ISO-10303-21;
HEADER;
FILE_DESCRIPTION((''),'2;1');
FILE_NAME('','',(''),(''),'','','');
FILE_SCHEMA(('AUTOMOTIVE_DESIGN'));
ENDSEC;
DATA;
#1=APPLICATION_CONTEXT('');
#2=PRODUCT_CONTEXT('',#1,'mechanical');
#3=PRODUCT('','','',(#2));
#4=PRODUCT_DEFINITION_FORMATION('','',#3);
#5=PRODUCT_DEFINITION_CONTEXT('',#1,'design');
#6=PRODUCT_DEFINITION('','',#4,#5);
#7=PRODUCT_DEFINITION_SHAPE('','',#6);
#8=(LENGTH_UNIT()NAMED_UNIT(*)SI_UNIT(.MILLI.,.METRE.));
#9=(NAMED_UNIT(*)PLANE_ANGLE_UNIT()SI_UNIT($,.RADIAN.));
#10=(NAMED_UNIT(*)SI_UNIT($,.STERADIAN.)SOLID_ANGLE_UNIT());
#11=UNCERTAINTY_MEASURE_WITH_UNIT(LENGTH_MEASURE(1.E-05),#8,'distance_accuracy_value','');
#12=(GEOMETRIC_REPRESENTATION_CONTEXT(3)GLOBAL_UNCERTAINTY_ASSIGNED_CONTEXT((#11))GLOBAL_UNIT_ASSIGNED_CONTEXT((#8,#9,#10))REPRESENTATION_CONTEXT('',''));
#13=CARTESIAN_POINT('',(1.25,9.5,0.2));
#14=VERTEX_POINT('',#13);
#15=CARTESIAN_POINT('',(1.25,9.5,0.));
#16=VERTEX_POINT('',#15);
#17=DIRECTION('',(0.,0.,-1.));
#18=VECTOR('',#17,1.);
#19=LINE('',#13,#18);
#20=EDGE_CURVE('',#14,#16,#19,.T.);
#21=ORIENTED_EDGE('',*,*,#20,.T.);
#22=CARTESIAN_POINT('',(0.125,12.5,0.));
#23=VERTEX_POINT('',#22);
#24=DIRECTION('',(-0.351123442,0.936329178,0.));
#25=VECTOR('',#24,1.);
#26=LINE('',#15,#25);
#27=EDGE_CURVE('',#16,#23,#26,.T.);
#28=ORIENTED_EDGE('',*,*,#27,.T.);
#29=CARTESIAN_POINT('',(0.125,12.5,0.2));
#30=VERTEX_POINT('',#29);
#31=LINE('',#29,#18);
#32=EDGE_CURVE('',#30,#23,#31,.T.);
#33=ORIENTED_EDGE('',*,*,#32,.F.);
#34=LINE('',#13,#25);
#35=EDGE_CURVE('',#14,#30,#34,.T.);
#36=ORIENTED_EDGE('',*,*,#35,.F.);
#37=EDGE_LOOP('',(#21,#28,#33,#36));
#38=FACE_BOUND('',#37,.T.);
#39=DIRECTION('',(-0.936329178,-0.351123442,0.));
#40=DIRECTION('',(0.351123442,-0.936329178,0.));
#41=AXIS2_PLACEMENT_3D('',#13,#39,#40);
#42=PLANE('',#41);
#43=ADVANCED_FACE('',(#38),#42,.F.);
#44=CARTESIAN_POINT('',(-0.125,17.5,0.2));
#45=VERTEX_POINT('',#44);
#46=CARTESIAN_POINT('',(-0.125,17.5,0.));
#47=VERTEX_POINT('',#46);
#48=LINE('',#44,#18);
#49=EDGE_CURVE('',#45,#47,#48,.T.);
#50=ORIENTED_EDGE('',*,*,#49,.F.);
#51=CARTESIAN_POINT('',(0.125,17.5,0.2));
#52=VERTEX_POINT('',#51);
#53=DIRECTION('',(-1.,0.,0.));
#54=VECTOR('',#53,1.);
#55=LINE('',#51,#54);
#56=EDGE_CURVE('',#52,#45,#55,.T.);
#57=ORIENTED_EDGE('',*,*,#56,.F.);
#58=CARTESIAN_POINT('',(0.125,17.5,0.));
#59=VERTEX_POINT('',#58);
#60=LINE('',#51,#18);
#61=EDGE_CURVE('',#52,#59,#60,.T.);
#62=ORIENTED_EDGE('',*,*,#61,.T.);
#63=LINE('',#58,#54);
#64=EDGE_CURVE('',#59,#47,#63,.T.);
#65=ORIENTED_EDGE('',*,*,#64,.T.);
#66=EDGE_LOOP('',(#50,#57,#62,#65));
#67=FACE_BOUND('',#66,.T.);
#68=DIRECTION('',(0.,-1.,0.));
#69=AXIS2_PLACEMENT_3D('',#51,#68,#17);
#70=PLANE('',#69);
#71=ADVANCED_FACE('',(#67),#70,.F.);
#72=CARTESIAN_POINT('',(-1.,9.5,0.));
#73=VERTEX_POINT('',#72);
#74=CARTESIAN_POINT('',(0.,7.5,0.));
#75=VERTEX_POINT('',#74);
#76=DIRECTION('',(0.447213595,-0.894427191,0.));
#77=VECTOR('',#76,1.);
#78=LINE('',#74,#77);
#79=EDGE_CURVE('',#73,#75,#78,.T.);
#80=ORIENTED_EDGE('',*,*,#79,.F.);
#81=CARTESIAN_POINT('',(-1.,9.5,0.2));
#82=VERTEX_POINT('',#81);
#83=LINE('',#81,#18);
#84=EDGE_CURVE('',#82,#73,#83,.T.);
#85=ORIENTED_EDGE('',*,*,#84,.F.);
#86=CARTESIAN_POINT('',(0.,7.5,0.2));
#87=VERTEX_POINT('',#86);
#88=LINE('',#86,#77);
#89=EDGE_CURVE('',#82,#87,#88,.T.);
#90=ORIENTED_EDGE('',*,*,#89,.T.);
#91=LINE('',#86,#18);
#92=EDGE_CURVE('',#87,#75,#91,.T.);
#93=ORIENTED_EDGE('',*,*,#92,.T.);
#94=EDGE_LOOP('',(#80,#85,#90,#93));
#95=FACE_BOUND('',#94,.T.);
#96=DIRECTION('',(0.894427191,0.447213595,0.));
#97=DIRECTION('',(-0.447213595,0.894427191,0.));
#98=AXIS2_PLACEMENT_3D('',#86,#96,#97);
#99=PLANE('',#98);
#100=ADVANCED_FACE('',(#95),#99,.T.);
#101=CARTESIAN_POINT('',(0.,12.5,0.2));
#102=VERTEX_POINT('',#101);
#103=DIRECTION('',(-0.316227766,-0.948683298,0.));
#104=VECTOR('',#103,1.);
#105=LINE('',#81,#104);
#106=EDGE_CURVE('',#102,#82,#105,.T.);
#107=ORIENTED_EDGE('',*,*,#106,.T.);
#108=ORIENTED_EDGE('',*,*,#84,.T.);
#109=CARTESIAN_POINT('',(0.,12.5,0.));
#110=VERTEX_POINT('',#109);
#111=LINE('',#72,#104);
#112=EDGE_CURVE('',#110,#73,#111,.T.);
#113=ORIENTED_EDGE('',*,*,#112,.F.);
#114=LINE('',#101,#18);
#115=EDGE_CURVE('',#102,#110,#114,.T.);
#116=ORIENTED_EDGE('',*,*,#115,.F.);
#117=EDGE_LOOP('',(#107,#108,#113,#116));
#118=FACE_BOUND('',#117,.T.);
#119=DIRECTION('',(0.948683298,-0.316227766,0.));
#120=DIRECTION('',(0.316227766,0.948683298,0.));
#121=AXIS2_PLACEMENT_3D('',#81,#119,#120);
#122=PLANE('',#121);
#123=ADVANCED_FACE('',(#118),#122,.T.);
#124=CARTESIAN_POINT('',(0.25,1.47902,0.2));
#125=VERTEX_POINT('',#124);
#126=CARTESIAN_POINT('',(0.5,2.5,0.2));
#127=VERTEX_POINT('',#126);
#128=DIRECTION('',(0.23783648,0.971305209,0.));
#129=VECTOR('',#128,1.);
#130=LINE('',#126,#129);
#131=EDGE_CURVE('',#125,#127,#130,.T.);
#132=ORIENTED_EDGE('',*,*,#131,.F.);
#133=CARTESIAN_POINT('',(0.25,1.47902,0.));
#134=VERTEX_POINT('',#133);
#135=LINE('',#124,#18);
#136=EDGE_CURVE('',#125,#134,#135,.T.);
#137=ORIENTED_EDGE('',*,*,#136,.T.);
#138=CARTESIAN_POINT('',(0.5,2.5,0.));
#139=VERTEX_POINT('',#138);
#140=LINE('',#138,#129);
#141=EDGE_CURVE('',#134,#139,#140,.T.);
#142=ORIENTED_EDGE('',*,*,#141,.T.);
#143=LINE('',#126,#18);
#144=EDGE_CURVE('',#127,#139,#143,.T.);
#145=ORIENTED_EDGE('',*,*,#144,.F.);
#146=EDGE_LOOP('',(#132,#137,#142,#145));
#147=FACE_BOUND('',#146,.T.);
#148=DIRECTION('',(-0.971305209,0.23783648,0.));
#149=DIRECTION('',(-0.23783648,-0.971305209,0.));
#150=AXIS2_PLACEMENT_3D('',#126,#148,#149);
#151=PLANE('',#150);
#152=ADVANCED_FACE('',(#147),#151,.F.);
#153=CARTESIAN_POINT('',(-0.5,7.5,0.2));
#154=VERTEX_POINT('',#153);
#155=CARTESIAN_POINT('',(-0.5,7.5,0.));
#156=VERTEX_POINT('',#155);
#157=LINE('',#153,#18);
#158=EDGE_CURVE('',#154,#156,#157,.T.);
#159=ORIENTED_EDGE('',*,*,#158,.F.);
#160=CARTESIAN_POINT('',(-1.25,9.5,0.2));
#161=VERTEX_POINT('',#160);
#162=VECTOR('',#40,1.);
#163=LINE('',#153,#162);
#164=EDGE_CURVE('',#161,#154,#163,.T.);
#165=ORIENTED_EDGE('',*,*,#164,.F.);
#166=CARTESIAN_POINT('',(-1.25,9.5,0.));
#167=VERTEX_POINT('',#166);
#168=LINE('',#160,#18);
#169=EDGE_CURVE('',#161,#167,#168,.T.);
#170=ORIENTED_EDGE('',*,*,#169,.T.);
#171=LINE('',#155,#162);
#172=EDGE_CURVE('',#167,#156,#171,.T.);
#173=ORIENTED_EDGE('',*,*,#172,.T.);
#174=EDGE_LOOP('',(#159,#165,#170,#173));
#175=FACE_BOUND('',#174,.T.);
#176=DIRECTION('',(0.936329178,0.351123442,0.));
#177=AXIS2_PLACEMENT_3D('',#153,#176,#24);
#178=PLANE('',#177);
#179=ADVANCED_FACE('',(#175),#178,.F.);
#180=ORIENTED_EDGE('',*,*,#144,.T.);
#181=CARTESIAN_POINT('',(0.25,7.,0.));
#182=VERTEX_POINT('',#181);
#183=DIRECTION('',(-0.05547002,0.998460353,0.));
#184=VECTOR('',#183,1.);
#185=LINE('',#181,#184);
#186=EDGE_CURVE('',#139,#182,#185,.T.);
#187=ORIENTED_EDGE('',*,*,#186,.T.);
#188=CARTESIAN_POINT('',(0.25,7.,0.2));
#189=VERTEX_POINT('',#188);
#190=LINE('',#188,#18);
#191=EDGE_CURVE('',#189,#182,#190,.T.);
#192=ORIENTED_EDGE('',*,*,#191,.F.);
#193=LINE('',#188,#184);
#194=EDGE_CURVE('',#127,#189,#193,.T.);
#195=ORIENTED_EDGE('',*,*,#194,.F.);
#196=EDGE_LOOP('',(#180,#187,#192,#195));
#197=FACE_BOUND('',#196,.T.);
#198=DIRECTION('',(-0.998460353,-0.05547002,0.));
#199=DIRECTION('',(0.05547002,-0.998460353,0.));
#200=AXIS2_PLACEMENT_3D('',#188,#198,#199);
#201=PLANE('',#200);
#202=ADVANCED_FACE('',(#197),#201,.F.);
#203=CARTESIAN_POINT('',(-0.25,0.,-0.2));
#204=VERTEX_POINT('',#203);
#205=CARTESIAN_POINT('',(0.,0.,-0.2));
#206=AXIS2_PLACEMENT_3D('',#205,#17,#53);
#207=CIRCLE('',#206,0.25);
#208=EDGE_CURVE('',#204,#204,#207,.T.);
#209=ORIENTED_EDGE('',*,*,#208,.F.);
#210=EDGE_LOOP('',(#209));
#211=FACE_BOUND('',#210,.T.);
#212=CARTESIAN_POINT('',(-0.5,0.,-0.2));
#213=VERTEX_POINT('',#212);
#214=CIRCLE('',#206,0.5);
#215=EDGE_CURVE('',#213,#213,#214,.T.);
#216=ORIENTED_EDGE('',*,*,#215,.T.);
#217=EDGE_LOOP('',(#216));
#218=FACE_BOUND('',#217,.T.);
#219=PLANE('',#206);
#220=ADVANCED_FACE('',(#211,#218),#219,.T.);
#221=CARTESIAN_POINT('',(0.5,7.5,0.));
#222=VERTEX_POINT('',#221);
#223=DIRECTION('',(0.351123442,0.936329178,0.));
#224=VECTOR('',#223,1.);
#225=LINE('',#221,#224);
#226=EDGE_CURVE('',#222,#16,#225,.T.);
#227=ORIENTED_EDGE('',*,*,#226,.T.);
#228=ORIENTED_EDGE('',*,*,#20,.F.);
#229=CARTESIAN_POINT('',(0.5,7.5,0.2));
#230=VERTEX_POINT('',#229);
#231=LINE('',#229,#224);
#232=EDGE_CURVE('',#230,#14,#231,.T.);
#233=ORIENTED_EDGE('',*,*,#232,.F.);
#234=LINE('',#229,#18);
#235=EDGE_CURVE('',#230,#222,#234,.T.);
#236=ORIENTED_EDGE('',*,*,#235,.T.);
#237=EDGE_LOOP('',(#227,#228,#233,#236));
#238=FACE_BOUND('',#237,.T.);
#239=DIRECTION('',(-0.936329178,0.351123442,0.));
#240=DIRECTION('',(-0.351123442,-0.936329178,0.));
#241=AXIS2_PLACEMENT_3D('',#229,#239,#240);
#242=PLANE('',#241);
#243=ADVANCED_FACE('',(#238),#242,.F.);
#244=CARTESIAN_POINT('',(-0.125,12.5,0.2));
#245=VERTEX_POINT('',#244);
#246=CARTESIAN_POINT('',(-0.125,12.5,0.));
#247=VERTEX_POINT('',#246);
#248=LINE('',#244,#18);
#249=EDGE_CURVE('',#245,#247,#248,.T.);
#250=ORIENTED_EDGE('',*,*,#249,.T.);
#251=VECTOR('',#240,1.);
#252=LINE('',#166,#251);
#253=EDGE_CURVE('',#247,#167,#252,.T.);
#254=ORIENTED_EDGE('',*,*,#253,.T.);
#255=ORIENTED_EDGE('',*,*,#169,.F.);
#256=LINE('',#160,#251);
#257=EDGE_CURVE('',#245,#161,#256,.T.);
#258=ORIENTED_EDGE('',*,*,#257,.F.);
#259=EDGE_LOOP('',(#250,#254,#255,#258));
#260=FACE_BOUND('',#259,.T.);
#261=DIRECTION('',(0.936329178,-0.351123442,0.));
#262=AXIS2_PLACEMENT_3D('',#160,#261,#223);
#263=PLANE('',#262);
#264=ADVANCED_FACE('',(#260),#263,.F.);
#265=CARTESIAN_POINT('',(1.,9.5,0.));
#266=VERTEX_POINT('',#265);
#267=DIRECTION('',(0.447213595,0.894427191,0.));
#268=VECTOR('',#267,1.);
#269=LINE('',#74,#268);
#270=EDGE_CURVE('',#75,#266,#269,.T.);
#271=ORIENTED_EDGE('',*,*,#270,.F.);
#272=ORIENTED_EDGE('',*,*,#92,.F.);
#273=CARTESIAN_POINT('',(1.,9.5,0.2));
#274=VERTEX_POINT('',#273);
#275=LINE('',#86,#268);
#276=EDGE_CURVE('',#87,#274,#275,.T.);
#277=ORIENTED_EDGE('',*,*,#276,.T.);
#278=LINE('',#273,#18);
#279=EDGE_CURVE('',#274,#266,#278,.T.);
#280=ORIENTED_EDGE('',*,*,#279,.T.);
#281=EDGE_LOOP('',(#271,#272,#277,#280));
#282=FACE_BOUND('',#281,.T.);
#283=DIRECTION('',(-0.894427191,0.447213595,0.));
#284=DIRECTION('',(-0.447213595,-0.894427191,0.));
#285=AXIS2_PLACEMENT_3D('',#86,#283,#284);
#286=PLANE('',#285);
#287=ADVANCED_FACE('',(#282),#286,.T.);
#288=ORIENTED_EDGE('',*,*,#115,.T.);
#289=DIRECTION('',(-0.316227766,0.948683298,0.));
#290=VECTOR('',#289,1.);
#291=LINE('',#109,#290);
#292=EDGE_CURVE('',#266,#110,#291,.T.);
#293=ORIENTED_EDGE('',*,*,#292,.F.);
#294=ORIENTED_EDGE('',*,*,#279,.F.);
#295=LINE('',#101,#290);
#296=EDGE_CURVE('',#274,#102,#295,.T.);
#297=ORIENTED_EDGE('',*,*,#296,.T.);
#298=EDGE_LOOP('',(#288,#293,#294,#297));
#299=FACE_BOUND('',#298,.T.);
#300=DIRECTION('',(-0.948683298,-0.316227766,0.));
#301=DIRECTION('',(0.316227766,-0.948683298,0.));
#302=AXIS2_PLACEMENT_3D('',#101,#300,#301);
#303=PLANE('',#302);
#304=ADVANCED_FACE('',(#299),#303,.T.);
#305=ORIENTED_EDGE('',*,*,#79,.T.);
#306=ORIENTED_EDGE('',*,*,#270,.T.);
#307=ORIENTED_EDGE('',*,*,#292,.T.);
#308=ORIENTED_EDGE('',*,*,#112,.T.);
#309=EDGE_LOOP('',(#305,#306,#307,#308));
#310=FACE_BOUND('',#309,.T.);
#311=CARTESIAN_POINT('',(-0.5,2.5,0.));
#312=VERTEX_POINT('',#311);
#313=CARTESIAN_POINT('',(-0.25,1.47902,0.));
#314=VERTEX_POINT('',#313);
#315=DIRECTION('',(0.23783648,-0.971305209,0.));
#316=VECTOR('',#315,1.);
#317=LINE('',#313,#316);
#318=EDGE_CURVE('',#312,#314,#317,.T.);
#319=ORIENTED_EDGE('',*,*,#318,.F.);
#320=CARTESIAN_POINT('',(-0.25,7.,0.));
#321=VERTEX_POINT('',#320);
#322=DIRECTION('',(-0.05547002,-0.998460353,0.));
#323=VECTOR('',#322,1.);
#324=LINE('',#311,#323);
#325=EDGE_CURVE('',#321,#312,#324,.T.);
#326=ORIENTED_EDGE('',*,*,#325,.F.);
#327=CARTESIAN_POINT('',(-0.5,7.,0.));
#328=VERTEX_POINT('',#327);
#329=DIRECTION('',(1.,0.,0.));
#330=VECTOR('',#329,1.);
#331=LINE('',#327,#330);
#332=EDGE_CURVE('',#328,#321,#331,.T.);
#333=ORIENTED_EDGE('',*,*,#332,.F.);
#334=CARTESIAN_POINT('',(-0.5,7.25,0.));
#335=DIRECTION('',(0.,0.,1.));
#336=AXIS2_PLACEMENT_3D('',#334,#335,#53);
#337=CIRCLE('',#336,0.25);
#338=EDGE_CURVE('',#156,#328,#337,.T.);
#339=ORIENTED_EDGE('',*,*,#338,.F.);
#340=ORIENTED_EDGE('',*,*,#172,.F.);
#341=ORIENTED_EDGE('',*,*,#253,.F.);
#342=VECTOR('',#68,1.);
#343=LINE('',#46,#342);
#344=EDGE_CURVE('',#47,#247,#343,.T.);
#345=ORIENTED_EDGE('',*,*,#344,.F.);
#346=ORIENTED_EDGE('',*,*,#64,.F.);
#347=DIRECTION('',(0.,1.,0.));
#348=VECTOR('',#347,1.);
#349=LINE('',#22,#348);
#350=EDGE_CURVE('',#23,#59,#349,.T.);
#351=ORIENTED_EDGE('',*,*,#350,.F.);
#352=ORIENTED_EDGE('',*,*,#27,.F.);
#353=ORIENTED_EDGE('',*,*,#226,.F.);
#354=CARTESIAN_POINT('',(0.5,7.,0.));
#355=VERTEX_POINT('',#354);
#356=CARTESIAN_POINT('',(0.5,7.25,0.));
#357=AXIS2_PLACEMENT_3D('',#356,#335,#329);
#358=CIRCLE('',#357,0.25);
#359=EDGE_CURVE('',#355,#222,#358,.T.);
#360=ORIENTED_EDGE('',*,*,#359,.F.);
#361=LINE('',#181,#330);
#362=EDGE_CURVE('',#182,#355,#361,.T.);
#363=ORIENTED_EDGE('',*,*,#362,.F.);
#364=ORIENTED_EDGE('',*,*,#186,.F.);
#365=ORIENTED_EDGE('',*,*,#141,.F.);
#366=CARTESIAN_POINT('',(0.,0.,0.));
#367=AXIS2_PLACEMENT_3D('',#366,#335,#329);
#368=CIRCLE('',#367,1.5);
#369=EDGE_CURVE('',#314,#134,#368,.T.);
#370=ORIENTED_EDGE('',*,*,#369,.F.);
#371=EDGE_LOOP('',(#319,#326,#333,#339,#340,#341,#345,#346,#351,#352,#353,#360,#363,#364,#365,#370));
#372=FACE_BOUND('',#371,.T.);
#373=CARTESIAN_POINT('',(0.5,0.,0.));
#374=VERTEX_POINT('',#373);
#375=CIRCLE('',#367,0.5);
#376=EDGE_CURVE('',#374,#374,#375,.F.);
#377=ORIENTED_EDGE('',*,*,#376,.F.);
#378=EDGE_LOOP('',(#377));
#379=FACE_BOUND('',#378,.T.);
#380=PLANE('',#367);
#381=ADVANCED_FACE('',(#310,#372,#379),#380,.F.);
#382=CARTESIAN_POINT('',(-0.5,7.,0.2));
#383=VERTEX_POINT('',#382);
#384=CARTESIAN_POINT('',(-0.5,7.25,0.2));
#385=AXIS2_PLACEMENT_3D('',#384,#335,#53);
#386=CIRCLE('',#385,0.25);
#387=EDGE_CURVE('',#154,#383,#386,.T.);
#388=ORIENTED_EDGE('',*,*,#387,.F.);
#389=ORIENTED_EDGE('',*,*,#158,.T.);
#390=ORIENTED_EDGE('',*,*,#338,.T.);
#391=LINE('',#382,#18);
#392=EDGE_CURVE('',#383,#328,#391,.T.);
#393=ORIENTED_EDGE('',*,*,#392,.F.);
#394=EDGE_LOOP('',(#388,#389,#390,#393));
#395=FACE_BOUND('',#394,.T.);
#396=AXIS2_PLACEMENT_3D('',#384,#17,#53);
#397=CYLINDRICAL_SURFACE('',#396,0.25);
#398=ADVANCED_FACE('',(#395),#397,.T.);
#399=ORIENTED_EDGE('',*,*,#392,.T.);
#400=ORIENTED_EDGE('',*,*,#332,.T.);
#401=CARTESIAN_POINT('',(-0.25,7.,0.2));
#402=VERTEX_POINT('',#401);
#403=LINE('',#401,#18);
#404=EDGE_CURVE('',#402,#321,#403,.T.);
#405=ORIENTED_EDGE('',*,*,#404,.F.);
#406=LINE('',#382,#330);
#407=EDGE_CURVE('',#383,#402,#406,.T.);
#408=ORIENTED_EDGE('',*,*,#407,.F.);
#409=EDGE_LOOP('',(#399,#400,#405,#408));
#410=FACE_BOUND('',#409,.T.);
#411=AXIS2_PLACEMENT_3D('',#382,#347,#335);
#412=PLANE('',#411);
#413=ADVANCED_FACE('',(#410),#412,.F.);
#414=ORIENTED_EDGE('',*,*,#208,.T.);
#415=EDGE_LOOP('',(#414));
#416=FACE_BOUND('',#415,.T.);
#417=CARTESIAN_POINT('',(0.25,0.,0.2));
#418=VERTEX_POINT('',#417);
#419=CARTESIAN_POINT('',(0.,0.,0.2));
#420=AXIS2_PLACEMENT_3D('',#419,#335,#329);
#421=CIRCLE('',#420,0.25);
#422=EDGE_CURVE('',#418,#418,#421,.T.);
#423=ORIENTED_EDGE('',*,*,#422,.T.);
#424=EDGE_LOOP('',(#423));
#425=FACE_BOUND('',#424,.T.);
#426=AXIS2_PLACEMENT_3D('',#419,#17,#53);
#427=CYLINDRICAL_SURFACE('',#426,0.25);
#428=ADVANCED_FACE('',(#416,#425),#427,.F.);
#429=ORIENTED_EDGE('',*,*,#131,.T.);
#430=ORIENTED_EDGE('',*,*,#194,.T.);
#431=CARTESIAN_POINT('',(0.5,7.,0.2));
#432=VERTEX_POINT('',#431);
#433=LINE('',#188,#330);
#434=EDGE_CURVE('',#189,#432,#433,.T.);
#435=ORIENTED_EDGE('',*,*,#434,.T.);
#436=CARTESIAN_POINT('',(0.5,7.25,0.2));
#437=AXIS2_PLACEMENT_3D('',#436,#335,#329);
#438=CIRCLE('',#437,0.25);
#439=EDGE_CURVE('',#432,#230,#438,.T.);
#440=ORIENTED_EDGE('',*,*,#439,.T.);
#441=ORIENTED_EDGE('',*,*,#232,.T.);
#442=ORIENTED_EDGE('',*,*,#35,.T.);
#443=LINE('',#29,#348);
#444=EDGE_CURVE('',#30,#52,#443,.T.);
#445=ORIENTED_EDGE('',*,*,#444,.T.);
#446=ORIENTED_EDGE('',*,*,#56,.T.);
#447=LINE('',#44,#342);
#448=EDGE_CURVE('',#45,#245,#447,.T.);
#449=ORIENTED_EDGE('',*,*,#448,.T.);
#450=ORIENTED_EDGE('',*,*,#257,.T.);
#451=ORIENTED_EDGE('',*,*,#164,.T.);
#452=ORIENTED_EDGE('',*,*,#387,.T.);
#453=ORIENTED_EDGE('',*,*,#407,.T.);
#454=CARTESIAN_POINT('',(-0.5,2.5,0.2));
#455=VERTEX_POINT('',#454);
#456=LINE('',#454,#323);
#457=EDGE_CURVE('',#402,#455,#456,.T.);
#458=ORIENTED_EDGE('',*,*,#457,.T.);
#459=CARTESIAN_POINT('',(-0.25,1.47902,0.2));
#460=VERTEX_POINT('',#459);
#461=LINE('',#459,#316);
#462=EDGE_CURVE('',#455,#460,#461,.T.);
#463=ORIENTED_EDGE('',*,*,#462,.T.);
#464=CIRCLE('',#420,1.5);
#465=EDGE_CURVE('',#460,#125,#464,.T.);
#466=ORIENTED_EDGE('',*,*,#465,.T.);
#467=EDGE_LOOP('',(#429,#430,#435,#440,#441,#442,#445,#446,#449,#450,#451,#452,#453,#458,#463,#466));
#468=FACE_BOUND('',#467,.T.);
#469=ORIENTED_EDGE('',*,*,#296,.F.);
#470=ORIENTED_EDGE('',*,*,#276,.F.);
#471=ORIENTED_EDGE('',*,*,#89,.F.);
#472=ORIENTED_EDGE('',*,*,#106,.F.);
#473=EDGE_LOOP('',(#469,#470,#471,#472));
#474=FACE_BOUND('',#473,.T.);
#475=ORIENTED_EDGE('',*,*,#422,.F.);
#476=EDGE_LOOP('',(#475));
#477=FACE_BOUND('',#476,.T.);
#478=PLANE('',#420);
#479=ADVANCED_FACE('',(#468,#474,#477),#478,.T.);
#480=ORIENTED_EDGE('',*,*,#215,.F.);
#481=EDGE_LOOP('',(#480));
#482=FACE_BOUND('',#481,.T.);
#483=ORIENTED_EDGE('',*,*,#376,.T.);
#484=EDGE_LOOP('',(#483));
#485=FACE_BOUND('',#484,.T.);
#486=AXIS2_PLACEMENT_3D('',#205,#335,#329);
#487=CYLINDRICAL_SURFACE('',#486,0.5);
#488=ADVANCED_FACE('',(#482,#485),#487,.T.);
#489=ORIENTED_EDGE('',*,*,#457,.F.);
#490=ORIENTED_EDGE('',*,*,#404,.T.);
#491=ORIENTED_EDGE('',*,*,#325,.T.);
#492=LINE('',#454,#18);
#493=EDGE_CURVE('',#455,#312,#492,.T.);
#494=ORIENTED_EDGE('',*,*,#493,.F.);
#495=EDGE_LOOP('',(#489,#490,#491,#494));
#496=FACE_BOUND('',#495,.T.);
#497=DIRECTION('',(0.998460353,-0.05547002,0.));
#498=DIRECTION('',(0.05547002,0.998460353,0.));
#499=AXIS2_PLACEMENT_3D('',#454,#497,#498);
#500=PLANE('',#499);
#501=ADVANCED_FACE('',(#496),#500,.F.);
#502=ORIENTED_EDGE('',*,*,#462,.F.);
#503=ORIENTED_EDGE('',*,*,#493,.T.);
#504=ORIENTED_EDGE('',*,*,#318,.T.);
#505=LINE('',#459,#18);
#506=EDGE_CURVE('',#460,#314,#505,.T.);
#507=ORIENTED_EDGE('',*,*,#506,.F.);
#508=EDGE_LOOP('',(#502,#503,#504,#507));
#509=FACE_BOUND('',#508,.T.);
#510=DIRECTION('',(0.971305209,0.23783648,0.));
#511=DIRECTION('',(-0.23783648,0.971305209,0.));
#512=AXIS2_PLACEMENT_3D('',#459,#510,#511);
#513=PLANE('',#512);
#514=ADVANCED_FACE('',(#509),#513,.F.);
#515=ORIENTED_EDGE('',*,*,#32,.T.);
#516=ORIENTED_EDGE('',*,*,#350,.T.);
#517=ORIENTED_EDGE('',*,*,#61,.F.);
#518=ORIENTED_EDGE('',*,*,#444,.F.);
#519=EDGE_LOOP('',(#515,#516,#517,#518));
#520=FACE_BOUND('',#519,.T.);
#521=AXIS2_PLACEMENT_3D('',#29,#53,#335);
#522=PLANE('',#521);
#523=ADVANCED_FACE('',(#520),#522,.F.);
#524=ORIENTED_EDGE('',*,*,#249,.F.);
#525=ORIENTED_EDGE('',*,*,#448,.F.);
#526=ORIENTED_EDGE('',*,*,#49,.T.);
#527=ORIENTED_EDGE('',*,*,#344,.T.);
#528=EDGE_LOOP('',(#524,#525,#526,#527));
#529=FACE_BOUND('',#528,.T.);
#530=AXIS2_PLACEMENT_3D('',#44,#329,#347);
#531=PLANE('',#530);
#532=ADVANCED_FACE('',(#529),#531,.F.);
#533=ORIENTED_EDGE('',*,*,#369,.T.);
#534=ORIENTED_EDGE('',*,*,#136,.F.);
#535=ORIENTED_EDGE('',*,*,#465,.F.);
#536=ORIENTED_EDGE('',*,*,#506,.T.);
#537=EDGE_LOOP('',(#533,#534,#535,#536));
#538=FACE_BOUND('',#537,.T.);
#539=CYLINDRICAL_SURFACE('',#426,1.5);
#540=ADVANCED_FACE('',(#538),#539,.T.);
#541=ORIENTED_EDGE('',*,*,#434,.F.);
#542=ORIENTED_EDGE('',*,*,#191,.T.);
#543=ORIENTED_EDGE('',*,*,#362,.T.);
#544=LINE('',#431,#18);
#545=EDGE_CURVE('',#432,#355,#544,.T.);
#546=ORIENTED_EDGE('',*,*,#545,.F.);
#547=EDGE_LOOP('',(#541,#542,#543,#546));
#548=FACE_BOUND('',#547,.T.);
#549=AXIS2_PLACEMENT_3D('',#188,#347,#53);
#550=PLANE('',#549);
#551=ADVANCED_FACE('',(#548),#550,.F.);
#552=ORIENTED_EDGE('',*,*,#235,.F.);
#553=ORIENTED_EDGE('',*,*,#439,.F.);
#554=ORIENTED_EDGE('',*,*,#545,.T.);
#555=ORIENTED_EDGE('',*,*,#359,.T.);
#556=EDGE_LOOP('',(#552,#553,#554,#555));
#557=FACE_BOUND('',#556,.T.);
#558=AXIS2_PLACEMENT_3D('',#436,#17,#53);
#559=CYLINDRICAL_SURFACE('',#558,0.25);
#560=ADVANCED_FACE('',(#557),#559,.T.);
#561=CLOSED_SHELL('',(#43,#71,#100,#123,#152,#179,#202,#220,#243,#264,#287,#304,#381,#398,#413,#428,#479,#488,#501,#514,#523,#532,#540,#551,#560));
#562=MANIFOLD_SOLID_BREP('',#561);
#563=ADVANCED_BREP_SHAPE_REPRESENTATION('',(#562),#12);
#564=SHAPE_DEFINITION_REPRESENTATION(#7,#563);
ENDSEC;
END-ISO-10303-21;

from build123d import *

# Parameters (mm, degrees)
CROQUIS1_R              = 0.25
SALIENTE_EXTRUIR1_DEPTH = 0.2
CROQUIS2_R              = 0.5
CROQUIS2_R_2            = 0.25
SALIENTE_EXTRUIR2_DEPTH = 0.2


with BuildPart() as part:
    # Croquis1 → Saliente-Extruir1 (new body)
    with BuildSketch(Plane.XY):
        with BuildLine():
            Line((-0.5, 7), (-0.25, 7))
            Line((-0.25, 7), (-0.5, 2.5))
            Line((-0.5, 2.5), (-0.25, 1.479019946))
            ThreePointArc((-0.25, 1.479019946), (0, -1.5), (0.25, 1.479019946))
            Line((0.25, 1.479019946), (0.5, 2.5))
            Line((0.5, 2.5), (0.25, 7))
            Line((0.25, 7), (0.5, 7))
            ThreePointArc((0.5, 7), (0.75, 7.25), (0.5, 7.5))
            Line((0.5, 7.5), (1.25, 9.5))
            Line((1.25, 9.5), (0.125, 12.5))
            Line((0.125, 12.5), (0.125, 17.5))
            Line((0.125, 17.5), (-0.125, 17.5))
            Line((-0.125, 17.5), (-0.125, 12.5))
            Line((-0.125, 12.5), (-1.25, 9.5))
            Line((-1.25, 9.5), (-0.5, 7.5))
            ThreePointArc((-0.5, 7.5), (-0.75, 7.25), (-0.5, 7))
        make_face()
        Circle(CROQUIS1_R, mode=Mode.SUBTRACT)
        Polygon((0, 7.5), (-1, 9.5), (0, 12.5), (1, 9.5), align=None, mode=Mode.SUBTRACT)
    extrude(amount=SALIENTE_EXTRUIR1_DEPTH)

    # Croquis2 → Saliente-Extruir2 (add)
    with BuildSketch(Plane(origin=(0, 0, 0), x_dir=(-1, 0, 0), z_dir=(0, 0, -1))):
        Circle(CROQUIS2_R)
        Circle(CROQUIS2_R_2, mode=Mode.SUBTRACT)
    extrude(amount=SALIENTE_EXTRUIR2_DEPTH)


solid = part.part
